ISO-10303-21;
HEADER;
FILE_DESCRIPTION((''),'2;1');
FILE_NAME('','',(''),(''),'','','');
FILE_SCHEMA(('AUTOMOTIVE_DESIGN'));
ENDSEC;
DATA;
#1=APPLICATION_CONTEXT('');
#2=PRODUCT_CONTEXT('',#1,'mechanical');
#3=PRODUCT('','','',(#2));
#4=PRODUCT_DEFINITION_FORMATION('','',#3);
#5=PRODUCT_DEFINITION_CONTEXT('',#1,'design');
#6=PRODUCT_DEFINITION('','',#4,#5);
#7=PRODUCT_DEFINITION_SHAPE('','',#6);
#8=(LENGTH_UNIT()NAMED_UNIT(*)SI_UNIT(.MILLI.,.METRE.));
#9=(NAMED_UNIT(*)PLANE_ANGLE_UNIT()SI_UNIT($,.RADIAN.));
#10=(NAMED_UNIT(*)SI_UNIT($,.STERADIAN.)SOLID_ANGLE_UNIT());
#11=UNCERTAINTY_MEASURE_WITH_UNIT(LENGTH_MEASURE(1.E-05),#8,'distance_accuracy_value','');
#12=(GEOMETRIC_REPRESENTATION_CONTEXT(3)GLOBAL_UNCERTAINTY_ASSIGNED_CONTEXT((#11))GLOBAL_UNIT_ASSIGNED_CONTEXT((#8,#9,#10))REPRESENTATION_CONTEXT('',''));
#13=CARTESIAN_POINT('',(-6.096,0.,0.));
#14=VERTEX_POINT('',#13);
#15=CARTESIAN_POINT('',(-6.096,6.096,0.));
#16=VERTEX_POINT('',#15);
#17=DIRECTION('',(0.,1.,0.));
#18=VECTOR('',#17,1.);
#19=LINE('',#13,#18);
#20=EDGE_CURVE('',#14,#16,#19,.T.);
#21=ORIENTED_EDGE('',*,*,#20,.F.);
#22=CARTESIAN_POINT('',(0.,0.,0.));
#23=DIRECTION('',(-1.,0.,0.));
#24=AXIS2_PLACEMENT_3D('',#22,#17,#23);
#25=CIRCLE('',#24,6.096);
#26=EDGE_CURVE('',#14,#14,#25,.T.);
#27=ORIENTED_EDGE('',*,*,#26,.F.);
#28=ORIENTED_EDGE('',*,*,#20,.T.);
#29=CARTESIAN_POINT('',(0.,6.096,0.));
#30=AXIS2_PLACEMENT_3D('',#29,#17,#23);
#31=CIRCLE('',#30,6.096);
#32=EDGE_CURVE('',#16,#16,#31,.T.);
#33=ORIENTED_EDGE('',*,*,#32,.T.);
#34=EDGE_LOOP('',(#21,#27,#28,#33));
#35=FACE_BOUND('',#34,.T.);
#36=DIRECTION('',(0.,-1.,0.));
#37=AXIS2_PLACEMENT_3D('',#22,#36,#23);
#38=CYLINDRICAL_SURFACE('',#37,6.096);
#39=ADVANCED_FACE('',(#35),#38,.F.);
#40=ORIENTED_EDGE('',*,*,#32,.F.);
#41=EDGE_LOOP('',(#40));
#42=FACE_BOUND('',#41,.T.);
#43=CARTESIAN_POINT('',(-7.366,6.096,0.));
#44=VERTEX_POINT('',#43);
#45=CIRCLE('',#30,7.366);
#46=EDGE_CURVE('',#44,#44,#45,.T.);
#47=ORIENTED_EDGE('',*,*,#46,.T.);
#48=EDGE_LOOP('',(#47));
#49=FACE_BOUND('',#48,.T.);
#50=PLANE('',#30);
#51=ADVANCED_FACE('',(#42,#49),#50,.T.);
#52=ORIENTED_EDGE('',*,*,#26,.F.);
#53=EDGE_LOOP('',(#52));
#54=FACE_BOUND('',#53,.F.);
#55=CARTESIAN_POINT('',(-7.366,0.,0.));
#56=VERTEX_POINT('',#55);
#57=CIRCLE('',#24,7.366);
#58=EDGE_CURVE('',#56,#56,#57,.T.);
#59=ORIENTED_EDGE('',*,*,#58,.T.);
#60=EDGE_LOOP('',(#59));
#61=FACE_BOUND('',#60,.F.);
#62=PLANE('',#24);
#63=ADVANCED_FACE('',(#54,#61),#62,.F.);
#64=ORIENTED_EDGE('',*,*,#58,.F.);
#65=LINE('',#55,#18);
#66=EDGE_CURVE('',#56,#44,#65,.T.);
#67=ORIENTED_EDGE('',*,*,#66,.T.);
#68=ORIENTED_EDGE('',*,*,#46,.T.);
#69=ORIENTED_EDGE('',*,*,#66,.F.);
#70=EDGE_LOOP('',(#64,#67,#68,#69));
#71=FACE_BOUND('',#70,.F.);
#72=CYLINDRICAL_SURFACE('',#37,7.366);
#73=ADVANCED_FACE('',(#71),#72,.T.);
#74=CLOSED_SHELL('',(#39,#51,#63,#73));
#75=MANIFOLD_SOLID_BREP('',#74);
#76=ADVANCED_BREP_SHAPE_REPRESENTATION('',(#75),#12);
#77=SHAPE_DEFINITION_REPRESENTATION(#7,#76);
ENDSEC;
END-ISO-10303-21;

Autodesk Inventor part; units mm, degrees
ref_plane "YZ Plane" through (0, 0, 0) normal (1, 0, 0) x (0, 1, 0)
ref_plane "XZ Plane" through (0, 0, 0) normal (0, 1, 0) x (-1, 0, 0)
ref_plane "XY Plane" through (0, 0, 0) normal (0, 0, 1) x (1, 0, 0)
sketch "Sketch1" plane through (0, 0, 0) normal (0, 1, 0) x (-1, 0, 0)
  circle A0 centre (0, 0) radius 6.096
  circle A1 centre (0, 0) radius 7.366
  dimension "d0" = 12.192
  dimension "d1" = 14.732
extrude "Extrusion1" add sketch "Sketch1" along normal blind 6.096
properties part number "ARMCONNECTORPLASTICBUSHING"
